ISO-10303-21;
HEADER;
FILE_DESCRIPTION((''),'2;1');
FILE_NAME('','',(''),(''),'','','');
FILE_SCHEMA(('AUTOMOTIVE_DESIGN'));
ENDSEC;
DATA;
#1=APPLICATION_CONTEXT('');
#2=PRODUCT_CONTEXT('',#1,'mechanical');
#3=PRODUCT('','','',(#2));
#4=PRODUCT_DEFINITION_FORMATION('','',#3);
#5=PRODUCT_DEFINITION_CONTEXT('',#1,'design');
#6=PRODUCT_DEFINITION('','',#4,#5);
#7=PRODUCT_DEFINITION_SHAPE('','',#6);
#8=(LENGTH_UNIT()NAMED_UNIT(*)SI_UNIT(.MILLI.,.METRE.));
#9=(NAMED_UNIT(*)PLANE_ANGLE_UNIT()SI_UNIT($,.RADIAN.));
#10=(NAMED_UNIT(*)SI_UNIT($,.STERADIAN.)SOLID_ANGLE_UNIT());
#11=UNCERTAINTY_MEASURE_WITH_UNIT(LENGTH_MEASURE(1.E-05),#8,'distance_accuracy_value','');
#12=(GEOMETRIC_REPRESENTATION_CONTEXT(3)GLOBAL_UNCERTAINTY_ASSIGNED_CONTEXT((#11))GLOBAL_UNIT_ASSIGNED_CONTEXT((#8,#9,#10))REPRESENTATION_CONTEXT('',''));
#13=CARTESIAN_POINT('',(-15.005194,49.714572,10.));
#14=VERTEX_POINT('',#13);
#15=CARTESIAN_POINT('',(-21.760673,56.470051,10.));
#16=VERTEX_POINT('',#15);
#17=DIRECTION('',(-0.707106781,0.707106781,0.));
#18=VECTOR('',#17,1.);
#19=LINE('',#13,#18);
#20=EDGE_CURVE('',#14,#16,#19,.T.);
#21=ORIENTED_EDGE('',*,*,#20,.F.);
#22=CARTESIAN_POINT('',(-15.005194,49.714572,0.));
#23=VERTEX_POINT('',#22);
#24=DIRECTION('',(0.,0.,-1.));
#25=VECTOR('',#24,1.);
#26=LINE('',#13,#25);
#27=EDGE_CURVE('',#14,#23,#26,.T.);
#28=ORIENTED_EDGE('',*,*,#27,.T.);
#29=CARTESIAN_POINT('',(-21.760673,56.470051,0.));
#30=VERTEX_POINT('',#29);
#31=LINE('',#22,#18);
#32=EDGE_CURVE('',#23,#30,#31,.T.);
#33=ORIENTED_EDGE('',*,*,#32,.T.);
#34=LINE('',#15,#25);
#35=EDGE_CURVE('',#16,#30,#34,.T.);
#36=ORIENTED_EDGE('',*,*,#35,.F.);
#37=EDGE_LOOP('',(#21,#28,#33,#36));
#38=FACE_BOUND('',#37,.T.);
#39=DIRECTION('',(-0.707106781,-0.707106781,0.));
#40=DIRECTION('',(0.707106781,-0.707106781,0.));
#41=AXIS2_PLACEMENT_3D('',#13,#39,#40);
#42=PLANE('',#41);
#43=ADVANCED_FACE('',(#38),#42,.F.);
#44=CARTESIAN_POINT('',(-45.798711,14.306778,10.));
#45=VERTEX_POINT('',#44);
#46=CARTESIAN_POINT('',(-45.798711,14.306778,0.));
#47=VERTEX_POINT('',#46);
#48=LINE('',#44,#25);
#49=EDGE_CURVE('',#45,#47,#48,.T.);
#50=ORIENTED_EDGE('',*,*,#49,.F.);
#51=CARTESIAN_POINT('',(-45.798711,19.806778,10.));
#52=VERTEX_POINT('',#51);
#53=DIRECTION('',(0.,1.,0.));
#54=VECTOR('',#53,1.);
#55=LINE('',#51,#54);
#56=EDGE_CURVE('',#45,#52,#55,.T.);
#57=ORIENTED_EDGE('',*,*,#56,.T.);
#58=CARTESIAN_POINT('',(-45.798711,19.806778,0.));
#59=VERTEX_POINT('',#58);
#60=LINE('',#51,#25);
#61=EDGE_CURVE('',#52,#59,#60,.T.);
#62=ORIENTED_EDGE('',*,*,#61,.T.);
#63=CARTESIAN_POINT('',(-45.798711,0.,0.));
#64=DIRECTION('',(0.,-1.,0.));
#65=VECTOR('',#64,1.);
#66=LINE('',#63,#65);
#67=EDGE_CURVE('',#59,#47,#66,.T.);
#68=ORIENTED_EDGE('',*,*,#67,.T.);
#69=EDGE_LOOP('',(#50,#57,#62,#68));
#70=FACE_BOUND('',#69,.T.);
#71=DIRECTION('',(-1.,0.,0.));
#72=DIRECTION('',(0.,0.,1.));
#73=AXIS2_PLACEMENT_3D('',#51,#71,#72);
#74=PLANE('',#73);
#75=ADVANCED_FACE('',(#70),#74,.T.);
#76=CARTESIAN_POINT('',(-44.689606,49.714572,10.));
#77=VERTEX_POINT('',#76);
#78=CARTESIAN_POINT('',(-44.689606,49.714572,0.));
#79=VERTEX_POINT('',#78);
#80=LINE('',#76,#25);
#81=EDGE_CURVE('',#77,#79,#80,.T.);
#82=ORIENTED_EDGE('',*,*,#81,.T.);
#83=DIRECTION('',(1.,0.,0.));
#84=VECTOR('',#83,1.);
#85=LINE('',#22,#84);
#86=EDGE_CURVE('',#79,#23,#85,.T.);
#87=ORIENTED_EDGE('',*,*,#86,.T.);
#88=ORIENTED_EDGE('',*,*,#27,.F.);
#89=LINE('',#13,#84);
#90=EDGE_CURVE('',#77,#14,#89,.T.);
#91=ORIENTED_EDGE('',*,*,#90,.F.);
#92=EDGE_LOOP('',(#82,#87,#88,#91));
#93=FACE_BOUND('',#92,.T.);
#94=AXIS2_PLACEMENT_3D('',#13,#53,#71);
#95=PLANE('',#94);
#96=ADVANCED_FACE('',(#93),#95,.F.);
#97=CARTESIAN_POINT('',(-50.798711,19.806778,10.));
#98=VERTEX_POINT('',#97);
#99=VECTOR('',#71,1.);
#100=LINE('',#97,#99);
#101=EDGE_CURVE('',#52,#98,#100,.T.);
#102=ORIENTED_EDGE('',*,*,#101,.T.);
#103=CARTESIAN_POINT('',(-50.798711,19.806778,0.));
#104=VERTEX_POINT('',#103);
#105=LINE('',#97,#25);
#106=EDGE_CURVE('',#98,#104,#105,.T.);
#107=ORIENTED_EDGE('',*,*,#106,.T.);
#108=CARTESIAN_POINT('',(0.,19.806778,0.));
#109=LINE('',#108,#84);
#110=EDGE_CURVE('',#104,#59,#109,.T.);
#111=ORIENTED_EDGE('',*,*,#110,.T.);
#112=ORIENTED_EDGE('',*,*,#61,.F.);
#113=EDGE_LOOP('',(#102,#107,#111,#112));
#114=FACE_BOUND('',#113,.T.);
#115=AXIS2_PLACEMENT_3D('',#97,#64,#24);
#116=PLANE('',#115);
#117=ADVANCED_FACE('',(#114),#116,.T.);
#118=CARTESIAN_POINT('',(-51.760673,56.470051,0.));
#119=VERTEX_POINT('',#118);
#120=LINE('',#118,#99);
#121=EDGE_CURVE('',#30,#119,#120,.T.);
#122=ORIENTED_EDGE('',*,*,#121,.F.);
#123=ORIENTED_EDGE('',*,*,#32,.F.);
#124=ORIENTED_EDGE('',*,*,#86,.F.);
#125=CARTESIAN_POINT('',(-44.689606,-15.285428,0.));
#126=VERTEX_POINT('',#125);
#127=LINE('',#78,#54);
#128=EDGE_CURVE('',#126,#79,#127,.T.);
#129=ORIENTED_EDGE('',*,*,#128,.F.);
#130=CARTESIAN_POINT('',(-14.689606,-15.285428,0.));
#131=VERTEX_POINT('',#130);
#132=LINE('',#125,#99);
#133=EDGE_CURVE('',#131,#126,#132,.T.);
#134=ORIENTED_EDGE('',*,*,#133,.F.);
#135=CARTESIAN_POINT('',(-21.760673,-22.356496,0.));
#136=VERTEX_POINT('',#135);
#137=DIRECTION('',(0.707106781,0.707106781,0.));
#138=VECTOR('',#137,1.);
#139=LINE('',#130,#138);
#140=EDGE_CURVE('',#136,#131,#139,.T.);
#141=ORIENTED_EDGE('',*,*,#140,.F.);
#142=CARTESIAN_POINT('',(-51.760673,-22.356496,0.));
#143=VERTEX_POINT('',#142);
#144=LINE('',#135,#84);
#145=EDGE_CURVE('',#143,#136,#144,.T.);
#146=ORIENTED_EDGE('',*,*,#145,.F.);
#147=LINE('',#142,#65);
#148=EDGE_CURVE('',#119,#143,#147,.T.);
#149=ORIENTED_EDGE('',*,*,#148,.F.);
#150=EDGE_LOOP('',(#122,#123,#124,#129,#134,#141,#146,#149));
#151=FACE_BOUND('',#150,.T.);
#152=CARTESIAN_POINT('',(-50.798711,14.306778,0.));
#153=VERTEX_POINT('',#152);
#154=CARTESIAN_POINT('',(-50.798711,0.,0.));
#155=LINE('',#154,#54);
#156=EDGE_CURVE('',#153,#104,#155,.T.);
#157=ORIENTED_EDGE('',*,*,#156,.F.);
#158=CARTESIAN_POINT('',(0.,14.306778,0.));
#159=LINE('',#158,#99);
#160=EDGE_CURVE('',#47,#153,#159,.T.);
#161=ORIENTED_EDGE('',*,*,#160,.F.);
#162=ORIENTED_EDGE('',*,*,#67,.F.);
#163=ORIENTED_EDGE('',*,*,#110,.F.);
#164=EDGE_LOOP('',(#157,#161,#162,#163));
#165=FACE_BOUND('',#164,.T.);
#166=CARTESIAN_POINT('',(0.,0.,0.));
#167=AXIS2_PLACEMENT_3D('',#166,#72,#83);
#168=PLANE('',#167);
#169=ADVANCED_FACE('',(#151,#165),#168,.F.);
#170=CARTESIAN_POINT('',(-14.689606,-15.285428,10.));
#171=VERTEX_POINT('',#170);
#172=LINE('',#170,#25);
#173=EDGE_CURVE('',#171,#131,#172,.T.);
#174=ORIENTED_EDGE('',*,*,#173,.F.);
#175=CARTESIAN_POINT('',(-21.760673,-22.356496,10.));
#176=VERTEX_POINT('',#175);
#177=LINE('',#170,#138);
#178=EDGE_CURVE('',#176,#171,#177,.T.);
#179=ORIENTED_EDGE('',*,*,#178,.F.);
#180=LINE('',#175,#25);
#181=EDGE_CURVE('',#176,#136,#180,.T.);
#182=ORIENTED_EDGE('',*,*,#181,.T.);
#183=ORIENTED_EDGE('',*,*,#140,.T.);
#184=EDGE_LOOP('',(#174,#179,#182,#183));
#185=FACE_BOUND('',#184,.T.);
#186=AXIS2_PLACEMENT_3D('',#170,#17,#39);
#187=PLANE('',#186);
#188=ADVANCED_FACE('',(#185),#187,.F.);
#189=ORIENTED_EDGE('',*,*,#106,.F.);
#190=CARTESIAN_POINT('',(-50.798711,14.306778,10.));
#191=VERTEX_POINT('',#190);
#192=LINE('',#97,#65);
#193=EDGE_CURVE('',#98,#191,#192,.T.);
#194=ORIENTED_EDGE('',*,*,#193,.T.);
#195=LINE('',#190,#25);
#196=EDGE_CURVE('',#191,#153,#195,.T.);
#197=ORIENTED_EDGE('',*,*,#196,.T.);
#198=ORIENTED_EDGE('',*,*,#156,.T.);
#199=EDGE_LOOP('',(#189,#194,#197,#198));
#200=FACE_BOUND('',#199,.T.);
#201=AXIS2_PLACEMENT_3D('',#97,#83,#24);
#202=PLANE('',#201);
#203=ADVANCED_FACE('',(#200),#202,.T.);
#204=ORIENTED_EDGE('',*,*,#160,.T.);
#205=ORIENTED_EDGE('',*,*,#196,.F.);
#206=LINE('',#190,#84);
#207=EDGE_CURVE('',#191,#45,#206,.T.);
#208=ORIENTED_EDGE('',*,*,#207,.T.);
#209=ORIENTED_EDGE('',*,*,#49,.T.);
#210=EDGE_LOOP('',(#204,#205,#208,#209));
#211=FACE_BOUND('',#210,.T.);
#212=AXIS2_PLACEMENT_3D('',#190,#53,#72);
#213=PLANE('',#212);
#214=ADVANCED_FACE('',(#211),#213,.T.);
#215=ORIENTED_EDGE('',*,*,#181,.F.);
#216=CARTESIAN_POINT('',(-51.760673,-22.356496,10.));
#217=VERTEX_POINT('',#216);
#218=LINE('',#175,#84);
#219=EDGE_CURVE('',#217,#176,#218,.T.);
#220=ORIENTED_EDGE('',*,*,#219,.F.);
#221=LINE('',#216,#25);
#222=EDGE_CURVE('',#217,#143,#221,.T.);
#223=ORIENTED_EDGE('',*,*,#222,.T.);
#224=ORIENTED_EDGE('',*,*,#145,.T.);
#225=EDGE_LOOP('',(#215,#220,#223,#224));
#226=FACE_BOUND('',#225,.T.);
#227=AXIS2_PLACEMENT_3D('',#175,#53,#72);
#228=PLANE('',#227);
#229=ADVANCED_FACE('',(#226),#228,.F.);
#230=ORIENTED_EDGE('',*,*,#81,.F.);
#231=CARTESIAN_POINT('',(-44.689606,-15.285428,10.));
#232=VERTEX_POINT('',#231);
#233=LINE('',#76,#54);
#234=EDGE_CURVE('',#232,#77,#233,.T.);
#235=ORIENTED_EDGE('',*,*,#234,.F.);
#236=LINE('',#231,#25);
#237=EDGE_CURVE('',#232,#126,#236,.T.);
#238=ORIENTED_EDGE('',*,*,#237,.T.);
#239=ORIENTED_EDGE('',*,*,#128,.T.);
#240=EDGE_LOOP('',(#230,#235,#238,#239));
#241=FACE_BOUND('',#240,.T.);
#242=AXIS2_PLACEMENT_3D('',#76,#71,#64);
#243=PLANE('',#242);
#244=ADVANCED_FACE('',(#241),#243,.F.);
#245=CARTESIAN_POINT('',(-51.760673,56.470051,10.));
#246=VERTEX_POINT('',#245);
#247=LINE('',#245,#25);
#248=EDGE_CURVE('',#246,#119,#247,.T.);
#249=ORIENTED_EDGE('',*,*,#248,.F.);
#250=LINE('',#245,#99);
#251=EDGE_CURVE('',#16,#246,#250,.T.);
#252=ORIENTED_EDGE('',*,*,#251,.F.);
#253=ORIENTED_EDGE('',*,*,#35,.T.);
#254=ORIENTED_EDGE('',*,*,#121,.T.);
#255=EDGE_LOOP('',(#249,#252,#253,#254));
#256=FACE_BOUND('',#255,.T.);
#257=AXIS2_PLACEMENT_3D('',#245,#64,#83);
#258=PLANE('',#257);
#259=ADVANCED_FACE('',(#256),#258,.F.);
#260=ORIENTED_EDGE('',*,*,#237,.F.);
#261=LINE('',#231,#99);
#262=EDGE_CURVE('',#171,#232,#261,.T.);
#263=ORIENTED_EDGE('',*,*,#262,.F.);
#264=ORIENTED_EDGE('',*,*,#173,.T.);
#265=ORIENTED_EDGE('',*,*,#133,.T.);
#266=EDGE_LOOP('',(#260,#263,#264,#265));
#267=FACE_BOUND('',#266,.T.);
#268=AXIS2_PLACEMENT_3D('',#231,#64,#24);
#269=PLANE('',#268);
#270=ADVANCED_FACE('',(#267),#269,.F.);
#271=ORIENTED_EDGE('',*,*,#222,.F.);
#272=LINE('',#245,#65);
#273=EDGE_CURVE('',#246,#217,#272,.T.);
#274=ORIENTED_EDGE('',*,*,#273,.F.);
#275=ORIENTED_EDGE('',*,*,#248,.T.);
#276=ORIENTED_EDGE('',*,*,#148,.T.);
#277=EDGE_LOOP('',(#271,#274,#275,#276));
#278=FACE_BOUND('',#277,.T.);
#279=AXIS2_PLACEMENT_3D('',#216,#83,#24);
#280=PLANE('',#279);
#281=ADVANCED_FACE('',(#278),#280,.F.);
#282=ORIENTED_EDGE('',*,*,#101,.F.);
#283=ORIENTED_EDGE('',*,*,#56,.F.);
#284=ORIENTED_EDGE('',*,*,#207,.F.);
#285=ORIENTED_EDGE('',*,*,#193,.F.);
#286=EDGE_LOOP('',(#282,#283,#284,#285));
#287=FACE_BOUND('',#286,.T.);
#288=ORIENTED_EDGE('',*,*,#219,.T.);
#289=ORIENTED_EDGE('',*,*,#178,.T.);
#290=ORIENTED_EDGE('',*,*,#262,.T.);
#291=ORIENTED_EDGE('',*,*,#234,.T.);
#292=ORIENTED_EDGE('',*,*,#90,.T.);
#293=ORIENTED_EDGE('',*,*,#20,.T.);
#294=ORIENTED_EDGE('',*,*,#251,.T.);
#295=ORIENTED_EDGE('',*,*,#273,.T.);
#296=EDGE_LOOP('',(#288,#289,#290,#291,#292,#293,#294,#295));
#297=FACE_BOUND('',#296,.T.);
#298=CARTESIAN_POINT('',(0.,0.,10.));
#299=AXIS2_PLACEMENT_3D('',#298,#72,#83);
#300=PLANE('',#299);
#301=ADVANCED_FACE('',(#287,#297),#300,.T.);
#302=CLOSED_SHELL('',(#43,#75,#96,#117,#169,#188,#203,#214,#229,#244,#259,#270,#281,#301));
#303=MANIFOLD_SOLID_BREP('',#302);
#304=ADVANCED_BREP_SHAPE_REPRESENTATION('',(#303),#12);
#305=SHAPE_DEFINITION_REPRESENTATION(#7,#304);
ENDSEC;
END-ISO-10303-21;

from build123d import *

# Parameters (mm, degrees)
BOSS_EXTRUDE1_DEPTH     = 10
SKETCH2_W               = 5
SKETCH2_H               = 5.5
CUT_EXTRUDE2_DEPTH      = 11
CUT_EXTRUDE2_DEPTH_BACK = 10


with BuildPart() as part:
    # Sketch1 → Boss-Extrude1 (new body)
    with BuildSketch(Plane.XY):
        Polygon((-15.00519424, 49.714572154), (-44.689605678, 49.714572154), (-44.689605678, -15.285427846), (-14.689605678, -15.285427846), (-21.76067349, -22.356495658), (-51.76067349, -22.356495658), (-51.76067349, -18.214360034), (-51.76067349, 56.470051403), (-21.76067349, 56.470051403), align=None)
    extrude(amount=BOSS_EXTRUDE1_DEPTH)

    # Sketch2 → Cut-Extrude2 (cut, two sides)
    with BuildSketch(Plane.XY) as cut_extrude2_sk:
        with Locations((-48.298710813, 17.056777872)):
            Rectangle(SKETCH2_W, SKETCH2_H)
    extrude(amount=CUT_EXTRUDE2_DEPTH, mode=Mode.SUBTRACT)
    extrude(cut_extrude2_sk.sketch, amount=-CUT_EXTRUDE2_DEPTH_BACK, mode=Mode.SUBTRACT)


solid = part.part
